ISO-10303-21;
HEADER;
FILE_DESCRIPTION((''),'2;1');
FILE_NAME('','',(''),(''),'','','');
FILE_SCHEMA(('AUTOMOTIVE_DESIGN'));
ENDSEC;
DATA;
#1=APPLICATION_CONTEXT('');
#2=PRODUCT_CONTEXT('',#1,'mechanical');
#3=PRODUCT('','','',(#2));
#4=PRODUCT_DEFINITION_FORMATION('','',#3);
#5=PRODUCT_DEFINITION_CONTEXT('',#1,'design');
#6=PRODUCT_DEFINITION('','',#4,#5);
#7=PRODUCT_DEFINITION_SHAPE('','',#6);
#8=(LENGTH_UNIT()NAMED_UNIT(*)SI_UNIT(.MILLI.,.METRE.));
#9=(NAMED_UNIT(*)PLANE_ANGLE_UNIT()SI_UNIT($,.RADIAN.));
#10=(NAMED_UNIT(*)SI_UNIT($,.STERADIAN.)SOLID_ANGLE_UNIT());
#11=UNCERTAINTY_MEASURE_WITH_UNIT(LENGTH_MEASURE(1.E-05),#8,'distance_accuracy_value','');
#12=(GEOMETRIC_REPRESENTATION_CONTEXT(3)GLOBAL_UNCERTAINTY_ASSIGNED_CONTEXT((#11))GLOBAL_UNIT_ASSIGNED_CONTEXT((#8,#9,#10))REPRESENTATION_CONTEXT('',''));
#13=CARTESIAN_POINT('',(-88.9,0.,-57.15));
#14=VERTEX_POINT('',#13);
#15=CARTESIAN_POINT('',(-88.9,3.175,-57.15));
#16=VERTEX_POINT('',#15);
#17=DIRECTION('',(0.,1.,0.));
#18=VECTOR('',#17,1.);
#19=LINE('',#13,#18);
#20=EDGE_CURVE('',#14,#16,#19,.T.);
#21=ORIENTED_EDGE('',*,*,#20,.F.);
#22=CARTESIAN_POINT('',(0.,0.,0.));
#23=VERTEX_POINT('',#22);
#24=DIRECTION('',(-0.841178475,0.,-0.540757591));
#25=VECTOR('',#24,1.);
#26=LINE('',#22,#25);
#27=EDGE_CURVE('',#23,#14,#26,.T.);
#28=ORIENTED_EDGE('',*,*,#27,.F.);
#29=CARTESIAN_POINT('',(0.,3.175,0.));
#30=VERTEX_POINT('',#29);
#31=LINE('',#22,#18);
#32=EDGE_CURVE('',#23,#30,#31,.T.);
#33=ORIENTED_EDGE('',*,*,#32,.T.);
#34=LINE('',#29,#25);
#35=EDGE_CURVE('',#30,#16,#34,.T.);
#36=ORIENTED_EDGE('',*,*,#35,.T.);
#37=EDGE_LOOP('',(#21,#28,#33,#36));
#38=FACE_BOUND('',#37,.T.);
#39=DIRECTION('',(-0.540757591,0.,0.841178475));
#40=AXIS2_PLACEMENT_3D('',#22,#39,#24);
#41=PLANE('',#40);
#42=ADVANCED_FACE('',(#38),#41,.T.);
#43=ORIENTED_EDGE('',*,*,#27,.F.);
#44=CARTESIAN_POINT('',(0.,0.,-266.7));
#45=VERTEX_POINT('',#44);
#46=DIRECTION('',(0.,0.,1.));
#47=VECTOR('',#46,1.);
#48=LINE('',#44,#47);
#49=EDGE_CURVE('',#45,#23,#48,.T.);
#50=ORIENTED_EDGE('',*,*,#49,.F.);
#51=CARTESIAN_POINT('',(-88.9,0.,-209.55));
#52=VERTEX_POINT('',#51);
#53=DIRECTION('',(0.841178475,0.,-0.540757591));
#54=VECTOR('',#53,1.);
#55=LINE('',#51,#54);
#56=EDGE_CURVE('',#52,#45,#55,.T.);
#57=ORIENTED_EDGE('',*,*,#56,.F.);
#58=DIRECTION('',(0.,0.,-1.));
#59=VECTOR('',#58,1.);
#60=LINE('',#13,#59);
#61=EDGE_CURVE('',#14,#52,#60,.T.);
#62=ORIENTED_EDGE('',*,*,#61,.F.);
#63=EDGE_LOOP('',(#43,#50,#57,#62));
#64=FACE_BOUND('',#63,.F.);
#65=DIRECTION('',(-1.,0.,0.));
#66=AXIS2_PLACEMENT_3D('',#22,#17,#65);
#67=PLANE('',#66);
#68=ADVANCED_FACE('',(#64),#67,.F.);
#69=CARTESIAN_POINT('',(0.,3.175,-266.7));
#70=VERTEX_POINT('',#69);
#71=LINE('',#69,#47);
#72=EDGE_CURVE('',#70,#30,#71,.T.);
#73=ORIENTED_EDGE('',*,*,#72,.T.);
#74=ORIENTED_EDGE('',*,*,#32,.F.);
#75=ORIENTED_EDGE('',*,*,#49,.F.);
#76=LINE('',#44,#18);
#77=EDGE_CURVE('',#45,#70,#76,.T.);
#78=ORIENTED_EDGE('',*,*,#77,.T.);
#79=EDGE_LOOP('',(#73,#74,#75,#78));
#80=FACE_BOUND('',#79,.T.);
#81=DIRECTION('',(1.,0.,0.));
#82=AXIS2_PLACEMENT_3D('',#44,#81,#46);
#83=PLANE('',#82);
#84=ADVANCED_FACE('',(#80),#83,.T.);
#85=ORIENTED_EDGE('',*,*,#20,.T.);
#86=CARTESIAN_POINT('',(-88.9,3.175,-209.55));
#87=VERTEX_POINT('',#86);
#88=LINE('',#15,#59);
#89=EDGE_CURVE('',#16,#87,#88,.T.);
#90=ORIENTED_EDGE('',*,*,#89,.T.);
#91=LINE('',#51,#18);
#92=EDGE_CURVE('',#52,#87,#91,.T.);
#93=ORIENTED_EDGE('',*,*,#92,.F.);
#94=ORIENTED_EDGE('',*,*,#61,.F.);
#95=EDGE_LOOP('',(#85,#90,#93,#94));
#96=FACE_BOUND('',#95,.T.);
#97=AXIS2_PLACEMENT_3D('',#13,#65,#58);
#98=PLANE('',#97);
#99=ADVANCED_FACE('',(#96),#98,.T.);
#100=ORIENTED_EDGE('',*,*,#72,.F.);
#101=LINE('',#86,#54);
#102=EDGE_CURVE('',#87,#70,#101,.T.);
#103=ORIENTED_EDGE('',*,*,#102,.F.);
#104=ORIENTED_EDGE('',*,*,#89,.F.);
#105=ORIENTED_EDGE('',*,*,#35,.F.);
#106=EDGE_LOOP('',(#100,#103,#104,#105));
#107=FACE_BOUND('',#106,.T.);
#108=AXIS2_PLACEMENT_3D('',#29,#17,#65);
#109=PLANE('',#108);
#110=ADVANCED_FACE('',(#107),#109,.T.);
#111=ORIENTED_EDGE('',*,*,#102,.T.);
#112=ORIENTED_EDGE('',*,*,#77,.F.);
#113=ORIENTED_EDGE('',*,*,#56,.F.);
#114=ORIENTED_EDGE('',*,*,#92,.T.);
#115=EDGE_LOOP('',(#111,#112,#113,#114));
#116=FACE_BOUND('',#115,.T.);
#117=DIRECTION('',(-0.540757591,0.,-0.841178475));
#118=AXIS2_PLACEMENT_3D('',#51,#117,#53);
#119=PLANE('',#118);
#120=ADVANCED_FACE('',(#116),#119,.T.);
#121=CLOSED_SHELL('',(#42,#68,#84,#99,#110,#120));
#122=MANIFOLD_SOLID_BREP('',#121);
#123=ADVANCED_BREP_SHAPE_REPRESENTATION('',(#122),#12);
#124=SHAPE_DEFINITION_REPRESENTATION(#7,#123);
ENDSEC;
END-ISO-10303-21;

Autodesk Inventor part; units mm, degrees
ref_plane "YZ Plane" through (0, 0, 0) normal (1, 0, 0) x (0, 1, 0)
ref_plane "XZ Plane" through (0, 0, 0) normal (0, 1, 0) x (-1, 0, 0)
ref_plane "XY Plane" through (0, 0, 0) normal (0, 0, 1) x (1, 0, 0)
sketch "Sketch1" plane through (0, 0, 0) normal (0, 1, 0) x (-1, 0, 0)
  line L0 (88.9, -57.15) -> (88.9, -209.55)
  line L1 (88.9, -209.55) -> (0, -266.7)
  line L2 (0, -266.7) -> (0, 0)
  line L3 (0, 0) -> (88.9, -57.15)
  dimension "d0" = 152.4
  dimension "d1" = 88.9
  dimension "d2" = 266.7
extrude "Extrusion1" add sketch "Sketch1" along normal blind 3.175
properties part number "Top + Bottom"
